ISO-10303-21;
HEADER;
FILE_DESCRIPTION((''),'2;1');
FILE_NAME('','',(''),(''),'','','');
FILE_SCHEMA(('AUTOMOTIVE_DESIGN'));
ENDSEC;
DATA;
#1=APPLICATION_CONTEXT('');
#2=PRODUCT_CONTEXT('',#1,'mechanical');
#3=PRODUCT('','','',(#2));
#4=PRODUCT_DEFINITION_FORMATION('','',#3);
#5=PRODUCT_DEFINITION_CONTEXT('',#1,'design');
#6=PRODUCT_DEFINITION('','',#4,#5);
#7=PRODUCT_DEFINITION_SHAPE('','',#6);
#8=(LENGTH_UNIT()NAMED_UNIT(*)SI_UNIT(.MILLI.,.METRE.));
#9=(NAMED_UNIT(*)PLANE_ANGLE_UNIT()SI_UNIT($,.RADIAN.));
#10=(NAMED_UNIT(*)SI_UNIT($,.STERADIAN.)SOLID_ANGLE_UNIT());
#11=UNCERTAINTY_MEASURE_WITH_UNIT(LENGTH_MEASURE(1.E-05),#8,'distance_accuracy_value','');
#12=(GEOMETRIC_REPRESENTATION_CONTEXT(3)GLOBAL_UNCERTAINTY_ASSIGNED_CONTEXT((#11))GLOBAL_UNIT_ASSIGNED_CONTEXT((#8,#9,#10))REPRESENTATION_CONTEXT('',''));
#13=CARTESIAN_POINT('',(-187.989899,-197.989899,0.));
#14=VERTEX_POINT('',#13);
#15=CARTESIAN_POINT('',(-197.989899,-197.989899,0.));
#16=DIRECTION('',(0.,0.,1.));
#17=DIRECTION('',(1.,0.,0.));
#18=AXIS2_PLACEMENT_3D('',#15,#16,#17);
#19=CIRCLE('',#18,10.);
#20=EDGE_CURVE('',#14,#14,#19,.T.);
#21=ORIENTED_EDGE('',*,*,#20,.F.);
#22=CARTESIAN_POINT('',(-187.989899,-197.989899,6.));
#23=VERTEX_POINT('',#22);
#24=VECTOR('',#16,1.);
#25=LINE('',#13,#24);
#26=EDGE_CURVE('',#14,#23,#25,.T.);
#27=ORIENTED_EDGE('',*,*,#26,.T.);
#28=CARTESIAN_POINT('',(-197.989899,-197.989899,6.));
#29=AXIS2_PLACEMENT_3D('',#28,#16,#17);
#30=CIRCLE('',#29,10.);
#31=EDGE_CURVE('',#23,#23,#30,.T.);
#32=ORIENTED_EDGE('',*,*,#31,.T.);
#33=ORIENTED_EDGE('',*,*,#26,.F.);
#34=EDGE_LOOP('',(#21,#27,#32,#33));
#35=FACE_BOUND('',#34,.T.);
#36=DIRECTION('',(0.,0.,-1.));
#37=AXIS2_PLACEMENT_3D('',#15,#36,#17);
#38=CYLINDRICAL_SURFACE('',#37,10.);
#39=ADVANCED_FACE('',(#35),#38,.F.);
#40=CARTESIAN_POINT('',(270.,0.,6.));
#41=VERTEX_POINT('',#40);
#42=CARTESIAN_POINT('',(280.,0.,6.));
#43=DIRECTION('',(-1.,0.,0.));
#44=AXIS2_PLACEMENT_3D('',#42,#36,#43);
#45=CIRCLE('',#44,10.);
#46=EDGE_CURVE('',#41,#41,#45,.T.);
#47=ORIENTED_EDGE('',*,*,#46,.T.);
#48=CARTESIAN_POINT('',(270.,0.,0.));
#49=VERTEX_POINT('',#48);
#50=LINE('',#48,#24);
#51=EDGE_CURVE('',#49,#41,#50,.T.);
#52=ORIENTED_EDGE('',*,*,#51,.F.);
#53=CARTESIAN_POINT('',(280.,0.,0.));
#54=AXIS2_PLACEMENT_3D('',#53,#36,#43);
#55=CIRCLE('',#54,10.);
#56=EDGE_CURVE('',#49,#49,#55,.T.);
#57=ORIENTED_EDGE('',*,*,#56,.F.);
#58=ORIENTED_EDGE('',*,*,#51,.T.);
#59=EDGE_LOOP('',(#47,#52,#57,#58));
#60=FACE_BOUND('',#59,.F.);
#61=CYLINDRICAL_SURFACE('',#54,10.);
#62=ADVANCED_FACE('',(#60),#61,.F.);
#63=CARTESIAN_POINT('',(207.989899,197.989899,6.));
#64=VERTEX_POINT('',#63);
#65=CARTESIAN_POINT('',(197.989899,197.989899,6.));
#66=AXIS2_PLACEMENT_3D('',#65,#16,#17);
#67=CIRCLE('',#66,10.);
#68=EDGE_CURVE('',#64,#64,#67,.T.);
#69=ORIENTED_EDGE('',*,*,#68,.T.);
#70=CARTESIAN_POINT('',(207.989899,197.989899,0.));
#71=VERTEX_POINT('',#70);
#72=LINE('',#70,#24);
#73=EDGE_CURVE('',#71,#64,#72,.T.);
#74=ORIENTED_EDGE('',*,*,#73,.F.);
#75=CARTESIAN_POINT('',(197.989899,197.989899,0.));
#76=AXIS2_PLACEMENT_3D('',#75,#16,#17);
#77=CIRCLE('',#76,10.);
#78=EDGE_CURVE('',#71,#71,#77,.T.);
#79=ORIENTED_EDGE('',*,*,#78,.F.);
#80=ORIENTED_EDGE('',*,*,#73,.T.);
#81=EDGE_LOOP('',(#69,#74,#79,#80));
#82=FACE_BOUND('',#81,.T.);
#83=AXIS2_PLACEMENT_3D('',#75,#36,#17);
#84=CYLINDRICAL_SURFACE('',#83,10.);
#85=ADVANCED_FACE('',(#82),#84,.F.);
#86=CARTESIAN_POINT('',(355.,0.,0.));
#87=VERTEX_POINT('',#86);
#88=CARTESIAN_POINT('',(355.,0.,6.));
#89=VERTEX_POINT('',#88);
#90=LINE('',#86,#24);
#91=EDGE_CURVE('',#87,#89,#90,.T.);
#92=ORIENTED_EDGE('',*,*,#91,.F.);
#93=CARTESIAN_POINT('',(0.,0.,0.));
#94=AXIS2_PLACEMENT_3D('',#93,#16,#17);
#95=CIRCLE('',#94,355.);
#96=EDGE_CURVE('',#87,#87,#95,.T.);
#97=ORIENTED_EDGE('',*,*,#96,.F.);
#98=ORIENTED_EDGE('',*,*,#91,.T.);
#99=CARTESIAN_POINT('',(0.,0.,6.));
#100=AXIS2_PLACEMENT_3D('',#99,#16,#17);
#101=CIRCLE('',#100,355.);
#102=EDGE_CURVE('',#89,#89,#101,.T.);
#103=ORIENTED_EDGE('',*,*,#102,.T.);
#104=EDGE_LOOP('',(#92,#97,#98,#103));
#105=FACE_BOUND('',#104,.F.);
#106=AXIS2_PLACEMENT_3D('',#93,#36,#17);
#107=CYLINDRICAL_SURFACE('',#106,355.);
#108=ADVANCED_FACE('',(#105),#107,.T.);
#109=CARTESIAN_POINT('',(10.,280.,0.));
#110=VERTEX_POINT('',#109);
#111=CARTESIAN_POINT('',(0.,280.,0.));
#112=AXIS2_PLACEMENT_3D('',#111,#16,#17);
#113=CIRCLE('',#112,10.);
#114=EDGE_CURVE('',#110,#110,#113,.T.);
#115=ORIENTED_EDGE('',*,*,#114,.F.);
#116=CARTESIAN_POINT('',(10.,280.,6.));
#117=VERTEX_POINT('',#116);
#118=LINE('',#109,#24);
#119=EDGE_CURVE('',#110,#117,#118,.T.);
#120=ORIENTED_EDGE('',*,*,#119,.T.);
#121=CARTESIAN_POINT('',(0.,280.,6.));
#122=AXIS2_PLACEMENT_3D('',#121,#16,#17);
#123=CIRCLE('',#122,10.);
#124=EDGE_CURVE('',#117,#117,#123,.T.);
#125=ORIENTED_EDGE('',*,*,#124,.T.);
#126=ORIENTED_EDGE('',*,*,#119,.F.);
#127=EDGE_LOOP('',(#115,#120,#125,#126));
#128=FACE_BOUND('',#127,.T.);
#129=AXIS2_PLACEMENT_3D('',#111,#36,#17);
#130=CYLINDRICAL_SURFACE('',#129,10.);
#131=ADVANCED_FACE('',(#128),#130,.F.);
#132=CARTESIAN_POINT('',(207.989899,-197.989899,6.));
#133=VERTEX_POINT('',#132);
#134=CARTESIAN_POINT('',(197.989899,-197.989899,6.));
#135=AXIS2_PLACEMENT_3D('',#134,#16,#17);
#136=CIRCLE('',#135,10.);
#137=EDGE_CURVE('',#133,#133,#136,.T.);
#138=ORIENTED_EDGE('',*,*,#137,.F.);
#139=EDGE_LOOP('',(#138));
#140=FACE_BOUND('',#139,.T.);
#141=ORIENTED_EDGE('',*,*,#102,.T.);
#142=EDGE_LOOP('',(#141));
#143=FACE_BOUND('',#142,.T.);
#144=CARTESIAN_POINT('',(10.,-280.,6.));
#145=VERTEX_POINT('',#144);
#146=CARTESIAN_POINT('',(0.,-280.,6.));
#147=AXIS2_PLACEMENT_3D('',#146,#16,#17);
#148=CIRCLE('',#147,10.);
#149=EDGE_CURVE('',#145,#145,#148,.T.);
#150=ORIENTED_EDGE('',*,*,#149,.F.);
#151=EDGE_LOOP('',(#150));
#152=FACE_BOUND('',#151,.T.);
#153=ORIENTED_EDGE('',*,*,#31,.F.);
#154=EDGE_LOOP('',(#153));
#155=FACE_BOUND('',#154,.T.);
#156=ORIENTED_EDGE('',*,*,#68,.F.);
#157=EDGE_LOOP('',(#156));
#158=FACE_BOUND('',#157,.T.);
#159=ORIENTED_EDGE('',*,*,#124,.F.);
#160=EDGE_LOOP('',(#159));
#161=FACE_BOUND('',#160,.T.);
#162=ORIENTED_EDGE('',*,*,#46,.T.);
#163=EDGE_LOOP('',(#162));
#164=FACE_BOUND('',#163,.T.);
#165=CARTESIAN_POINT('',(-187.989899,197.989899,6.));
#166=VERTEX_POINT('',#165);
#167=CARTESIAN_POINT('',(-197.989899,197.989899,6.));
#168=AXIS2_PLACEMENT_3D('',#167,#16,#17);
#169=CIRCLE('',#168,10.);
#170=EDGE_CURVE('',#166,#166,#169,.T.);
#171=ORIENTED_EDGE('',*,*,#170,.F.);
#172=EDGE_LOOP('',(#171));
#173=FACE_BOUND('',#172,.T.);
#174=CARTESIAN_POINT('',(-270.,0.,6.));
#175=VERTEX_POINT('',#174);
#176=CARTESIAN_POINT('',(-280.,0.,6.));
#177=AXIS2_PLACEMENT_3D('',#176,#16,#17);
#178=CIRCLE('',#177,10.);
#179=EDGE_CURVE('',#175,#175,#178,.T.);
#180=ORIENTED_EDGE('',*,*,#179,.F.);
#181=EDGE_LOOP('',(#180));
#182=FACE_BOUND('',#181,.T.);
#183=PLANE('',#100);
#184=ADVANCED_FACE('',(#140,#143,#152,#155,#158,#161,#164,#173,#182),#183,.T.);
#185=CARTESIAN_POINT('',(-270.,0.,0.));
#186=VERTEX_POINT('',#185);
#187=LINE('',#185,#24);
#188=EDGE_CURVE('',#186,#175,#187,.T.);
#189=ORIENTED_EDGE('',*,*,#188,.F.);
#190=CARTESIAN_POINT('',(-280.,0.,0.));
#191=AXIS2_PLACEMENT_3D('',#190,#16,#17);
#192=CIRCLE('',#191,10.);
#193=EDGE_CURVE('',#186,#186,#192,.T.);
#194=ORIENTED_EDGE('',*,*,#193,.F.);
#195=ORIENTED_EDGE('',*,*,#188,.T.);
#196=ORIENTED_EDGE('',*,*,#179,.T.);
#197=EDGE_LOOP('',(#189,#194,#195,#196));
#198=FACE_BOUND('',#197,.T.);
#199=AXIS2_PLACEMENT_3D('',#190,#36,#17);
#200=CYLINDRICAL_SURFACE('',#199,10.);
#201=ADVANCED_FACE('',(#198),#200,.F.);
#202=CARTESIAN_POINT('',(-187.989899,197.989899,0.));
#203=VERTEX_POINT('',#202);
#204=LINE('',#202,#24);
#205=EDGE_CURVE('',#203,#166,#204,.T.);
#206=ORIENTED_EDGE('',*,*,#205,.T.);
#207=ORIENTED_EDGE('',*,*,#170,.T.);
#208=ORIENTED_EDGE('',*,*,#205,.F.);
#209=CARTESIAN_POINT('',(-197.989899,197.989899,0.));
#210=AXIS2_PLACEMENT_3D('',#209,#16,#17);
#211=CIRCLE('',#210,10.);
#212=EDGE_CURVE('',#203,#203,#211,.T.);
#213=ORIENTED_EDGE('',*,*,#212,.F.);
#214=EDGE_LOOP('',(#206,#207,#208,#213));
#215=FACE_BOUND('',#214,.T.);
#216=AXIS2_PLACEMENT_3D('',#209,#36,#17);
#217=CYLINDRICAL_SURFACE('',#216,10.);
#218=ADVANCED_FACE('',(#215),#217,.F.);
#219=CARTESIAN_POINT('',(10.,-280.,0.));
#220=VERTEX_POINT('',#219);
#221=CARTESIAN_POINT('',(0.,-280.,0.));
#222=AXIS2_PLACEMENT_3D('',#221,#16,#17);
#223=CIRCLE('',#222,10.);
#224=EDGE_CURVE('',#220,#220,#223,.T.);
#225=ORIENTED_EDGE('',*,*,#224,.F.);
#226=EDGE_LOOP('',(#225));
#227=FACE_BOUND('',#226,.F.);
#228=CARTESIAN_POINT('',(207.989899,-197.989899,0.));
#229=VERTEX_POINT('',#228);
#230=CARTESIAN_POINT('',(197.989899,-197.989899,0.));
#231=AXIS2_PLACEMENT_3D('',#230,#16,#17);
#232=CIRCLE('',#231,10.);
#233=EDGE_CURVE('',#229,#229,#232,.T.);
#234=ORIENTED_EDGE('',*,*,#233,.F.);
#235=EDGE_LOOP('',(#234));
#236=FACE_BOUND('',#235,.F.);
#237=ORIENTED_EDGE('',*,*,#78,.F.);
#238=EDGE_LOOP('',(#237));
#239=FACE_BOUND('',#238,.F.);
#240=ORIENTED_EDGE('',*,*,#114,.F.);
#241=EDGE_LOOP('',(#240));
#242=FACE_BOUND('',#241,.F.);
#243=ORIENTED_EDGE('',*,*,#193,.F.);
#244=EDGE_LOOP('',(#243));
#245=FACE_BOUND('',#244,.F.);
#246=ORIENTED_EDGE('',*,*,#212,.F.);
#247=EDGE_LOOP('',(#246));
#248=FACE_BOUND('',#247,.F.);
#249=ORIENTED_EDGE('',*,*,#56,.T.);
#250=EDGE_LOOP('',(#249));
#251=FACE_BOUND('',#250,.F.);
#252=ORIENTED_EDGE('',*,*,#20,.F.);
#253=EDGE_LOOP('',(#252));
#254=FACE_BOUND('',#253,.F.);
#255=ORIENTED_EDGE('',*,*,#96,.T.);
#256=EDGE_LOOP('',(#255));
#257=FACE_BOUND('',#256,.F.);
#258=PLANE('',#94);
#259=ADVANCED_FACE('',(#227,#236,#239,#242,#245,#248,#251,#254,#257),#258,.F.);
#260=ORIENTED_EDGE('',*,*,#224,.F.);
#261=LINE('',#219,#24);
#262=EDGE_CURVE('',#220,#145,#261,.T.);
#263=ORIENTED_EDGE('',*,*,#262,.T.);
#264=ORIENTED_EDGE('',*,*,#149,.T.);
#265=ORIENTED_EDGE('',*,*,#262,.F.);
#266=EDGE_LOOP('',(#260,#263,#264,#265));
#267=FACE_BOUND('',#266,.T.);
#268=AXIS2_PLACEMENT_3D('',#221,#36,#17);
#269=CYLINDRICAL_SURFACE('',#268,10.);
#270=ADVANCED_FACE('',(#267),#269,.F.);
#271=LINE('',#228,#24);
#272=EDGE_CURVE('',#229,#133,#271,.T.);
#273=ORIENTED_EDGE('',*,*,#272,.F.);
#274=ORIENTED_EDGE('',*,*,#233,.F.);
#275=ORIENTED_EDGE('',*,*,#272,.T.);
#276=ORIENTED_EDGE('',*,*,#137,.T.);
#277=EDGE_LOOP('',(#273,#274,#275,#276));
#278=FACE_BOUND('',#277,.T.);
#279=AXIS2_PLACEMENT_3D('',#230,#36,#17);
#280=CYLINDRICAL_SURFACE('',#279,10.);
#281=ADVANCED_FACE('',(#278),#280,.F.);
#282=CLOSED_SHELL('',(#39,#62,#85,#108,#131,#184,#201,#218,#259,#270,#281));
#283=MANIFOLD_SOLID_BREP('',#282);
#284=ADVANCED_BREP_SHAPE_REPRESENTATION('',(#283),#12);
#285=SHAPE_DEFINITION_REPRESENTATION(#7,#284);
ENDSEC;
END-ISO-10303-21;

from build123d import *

# Parameters (mm, degrees)
F0_R     = 355
F0_R_2   = 10
F1_DEPTH = 6


with BuildPart() as f1:
    # F0 (on Top) → F1 (new body)
    with BuildSketch(Plane.XY):
        Circle(F0_R)
        with Locations((-197.989899, -197.989899)):
            Circle(F0_R_2, mode=Mode.SUBTRACT)
        with Locations((0, -280)):
            Circle(F0_R_2, mode=Mode.SUBTRACT)
        with Locations((197.989899, -197.989899)):
            Circle(F0_R_2, mode=Mode.SUBTRACT)
        with Locations((-280, 0)):
            Circle(F0_R_2, mode=Mode.SUBTRACT)
        with Locations((-197.989899, 197.989899)):
            Circle(F0_R_2, mode=Mode.SUBTRACT)
        with BuildLine():
            ThreePointArc((290, 0), (280, -10), (270, 0))
            ThreePointArc((270, 0), (280, 10), (290, 0))
        make_face(mode=Mode.SUBTRACT)
        with Locations((0, 280)):
            Circle(F0_R_2, mode=Mode.SUBTRACT)
        with Locations((197.989899, 197.989899)):
            Circle(F0_R_2, mode=Mode.SUBTRACT)
    extrude(amount=F1_DEPTH)


solid = f1.part
